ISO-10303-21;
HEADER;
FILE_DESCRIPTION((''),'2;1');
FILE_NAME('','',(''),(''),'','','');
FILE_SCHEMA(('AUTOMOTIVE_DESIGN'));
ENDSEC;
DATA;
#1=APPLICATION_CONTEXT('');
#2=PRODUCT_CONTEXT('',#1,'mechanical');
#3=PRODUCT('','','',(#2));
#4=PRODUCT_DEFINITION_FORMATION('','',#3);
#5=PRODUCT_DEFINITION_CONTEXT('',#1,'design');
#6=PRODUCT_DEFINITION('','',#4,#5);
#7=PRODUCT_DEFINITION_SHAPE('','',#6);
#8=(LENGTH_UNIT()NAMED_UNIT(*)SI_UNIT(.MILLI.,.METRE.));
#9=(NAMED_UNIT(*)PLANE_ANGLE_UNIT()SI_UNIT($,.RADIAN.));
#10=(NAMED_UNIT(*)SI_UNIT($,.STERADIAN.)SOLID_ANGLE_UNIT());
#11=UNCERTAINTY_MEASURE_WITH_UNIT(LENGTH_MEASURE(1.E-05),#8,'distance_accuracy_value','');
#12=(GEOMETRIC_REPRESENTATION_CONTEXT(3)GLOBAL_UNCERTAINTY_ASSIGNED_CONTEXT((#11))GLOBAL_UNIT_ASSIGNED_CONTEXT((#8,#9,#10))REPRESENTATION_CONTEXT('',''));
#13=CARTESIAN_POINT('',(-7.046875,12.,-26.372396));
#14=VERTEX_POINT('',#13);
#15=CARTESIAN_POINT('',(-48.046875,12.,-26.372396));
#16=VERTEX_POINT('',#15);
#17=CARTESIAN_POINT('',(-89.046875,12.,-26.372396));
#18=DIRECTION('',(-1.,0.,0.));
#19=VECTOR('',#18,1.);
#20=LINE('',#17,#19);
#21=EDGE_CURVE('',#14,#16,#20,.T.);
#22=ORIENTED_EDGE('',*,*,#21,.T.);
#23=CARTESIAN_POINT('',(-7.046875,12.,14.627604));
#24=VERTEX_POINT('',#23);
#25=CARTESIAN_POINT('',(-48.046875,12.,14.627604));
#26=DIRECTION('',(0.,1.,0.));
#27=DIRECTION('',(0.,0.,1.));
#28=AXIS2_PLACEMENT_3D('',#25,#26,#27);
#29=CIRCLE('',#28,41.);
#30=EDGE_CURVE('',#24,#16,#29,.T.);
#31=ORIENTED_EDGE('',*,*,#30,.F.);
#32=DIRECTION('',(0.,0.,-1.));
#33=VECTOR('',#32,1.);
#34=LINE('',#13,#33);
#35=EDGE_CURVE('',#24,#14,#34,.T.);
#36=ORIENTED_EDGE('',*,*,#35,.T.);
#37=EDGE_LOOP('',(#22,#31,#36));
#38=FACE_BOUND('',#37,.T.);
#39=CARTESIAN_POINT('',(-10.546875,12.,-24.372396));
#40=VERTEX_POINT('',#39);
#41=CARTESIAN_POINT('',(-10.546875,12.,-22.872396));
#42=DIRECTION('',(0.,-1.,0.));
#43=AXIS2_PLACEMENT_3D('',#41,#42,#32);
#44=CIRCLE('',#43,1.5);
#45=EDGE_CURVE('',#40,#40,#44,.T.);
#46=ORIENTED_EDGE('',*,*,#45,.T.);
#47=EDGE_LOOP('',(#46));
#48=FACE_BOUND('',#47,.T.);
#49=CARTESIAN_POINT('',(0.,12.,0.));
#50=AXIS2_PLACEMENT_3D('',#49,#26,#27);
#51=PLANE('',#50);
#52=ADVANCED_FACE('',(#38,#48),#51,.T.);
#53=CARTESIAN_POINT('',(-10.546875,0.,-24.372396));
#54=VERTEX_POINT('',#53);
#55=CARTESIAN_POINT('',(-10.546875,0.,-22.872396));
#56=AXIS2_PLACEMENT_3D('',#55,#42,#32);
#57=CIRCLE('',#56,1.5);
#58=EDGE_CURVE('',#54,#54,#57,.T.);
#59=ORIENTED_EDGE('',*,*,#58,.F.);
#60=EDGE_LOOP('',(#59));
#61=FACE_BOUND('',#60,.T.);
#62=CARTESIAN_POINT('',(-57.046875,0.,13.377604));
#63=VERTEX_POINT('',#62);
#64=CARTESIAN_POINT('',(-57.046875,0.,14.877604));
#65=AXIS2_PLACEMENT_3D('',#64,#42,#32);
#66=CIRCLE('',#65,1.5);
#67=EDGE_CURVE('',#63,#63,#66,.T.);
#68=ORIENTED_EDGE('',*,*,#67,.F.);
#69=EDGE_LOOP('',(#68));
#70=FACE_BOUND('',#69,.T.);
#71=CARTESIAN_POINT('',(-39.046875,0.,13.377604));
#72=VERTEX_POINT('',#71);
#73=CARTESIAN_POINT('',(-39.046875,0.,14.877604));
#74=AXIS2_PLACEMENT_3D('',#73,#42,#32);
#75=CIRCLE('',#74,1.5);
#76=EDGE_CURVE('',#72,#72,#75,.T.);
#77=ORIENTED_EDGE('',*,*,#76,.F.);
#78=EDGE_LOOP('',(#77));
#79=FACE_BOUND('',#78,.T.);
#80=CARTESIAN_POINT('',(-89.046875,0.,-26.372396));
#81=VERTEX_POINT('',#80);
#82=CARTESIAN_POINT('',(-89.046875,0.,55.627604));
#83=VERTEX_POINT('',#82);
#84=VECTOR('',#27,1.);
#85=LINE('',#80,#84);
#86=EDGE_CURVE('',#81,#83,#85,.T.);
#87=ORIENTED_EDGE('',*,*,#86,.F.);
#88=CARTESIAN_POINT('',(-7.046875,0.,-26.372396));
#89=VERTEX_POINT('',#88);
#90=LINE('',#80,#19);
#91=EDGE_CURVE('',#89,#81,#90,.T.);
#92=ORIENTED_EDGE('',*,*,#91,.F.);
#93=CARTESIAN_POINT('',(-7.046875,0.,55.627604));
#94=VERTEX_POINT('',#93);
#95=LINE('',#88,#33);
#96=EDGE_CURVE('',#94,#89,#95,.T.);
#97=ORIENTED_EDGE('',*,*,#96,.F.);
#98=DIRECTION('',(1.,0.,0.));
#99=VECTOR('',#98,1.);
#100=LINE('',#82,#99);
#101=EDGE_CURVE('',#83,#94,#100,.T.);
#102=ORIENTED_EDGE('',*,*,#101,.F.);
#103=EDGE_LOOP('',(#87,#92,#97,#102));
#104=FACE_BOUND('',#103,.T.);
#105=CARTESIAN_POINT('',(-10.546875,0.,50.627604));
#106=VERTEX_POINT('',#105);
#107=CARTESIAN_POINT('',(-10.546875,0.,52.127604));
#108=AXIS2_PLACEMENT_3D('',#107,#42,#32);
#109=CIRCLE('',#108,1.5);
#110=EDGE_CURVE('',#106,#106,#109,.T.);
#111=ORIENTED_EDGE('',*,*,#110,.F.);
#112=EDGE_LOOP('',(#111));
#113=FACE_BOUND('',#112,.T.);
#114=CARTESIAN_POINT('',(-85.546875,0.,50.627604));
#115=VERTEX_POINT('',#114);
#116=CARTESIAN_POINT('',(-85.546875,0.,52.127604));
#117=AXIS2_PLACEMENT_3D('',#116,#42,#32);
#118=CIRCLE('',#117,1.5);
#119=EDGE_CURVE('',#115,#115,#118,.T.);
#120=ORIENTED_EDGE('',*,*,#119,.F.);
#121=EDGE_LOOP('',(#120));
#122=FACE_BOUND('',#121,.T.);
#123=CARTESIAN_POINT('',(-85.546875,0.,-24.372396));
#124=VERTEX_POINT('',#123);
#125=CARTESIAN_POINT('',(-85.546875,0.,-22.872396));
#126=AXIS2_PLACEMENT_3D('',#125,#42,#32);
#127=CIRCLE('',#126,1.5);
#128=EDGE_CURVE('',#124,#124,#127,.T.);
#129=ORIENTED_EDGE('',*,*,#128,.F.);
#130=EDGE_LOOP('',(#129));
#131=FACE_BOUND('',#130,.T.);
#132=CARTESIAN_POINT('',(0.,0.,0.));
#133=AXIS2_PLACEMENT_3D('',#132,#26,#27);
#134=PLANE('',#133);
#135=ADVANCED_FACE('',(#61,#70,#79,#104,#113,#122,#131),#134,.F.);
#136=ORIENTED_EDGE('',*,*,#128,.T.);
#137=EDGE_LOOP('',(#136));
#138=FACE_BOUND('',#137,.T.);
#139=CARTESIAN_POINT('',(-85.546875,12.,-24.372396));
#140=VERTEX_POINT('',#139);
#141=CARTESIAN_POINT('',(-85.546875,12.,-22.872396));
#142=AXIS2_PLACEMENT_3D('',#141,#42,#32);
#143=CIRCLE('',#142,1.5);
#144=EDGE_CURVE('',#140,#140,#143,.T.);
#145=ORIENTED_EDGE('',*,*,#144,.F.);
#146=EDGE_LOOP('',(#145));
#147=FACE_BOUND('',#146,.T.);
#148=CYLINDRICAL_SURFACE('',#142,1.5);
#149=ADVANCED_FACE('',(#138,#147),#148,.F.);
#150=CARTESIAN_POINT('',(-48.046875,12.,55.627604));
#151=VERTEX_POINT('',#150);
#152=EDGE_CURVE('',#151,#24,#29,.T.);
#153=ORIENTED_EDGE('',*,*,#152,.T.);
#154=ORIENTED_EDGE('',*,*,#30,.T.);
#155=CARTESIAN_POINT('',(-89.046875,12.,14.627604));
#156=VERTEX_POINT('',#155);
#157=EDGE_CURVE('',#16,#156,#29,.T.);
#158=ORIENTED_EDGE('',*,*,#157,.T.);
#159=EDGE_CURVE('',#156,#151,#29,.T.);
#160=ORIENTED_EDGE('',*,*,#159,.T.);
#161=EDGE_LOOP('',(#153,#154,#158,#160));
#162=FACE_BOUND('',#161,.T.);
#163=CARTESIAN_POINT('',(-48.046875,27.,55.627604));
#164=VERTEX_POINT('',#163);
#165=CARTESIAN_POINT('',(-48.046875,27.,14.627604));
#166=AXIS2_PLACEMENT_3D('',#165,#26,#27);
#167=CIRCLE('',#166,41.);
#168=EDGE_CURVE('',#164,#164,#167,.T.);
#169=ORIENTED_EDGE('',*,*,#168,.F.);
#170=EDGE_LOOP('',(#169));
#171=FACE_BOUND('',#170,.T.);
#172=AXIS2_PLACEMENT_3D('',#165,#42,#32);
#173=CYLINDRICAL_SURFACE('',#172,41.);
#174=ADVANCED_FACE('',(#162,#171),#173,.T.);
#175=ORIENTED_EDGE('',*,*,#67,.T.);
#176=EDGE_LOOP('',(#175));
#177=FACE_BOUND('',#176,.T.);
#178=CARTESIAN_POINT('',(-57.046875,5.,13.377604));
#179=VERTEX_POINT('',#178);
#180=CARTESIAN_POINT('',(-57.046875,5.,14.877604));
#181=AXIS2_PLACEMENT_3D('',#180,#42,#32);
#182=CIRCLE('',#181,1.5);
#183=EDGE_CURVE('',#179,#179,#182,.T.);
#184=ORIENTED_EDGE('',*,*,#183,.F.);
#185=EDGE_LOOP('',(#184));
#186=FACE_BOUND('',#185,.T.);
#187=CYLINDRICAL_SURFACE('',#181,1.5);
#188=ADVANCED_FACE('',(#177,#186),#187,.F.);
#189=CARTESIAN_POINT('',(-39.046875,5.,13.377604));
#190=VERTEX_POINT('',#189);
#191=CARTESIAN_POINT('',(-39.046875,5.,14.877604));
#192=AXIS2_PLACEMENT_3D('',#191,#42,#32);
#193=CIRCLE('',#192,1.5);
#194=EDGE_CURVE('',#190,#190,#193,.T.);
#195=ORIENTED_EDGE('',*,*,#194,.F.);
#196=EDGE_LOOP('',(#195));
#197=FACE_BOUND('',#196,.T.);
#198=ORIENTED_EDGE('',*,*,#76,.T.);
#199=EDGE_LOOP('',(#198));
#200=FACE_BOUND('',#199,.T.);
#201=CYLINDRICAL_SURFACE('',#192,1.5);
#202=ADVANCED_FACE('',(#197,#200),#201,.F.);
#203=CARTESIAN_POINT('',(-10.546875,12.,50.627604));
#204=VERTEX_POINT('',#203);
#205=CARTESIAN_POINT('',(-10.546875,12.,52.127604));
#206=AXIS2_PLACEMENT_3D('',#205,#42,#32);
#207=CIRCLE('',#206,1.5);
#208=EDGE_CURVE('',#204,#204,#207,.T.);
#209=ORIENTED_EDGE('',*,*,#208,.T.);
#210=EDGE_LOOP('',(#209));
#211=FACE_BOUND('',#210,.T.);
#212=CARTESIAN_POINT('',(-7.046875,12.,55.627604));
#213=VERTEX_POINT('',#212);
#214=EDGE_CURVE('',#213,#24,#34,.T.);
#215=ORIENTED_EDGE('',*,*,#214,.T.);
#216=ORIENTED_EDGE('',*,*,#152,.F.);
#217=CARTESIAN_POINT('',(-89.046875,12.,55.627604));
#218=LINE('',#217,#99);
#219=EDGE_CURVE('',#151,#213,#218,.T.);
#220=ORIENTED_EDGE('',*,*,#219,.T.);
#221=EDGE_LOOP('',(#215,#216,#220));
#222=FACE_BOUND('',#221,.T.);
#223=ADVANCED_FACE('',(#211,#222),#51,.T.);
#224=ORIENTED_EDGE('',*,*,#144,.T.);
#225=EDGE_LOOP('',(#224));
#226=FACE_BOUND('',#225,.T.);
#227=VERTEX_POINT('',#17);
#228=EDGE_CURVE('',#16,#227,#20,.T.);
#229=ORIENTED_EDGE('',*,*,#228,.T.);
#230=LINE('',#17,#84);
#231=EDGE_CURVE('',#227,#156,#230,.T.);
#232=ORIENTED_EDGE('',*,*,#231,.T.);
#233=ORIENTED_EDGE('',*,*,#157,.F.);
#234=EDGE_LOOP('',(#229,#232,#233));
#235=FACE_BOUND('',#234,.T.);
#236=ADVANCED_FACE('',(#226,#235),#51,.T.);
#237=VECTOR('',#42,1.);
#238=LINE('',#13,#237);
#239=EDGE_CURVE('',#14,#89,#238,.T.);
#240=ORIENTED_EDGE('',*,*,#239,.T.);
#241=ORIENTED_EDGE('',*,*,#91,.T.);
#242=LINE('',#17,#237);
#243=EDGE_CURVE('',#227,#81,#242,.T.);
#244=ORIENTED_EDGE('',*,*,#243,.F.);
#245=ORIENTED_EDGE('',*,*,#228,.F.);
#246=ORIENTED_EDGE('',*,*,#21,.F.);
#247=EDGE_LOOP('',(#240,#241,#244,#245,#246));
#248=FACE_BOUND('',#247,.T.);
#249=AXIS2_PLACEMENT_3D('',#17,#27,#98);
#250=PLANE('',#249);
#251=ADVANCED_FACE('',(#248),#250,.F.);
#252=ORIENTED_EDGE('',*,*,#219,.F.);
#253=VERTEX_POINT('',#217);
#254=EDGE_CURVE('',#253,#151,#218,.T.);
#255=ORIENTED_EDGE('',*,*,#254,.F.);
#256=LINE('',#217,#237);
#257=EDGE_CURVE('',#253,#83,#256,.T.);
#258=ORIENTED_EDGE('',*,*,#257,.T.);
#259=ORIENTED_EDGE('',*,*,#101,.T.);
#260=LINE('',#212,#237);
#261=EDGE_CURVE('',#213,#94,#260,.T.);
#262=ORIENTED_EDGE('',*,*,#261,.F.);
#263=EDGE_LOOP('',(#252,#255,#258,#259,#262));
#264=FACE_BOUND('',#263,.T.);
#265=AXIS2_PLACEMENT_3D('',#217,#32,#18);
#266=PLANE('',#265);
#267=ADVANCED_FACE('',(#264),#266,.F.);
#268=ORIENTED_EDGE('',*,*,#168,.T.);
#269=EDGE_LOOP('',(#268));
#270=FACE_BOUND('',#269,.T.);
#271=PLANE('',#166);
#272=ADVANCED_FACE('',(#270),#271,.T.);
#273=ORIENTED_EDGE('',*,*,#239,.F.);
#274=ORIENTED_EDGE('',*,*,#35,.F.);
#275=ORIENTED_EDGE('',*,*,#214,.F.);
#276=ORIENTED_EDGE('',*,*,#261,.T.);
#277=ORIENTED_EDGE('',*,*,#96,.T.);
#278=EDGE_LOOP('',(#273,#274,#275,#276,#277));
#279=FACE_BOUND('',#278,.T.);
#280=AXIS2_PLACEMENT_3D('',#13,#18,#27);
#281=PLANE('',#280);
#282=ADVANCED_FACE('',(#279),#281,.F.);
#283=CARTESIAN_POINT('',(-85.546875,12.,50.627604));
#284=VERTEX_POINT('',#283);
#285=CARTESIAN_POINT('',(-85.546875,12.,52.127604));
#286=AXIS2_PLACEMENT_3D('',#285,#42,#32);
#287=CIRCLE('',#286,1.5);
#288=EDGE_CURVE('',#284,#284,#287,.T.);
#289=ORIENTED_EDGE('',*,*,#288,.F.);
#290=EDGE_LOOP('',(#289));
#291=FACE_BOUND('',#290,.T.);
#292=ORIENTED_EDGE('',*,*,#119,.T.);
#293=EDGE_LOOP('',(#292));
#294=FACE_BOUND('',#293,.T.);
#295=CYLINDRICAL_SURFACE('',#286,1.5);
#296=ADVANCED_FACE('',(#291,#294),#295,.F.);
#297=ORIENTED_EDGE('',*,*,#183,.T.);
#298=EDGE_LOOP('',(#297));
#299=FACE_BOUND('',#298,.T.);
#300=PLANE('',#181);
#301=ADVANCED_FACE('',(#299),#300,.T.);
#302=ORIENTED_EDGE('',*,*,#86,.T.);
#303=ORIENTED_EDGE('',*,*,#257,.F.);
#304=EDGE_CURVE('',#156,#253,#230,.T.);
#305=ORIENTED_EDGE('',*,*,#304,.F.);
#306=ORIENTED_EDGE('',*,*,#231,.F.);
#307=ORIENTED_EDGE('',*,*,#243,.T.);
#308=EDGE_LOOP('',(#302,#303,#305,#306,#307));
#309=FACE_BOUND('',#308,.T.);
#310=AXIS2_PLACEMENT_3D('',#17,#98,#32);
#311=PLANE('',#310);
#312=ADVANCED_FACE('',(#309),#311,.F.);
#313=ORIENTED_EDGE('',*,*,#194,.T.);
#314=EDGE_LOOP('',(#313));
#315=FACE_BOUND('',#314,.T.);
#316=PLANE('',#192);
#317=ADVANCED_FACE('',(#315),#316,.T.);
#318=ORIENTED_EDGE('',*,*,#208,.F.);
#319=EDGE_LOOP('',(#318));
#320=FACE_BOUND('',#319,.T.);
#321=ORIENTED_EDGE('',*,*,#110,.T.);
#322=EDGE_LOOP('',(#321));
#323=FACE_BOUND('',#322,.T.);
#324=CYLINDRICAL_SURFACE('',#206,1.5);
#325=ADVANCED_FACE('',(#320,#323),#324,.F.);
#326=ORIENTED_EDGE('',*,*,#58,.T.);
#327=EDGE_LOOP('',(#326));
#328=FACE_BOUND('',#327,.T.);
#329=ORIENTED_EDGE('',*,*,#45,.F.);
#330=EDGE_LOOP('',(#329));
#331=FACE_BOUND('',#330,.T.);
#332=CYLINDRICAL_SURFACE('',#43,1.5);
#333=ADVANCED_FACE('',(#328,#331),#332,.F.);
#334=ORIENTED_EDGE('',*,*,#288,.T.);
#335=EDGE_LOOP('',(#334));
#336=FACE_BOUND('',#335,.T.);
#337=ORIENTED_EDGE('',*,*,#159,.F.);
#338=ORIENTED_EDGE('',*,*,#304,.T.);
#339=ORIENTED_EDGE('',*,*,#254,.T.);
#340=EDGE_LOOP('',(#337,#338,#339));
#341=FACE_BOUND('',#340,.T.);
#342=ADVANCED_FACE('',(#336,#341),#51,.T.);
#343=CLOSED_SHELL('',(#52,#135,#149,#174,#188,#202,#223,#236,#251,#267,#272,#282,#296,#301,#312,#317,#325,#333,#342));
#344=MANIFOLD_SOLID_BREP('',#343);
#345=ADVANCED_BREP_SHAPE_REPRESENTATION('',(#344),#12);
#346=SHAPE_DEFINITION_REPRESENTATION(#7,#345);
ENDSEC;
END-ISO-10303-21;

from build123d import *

# Parameters (mm, degrees)
SKETCH1_W           = 82
SKETCH1_H           = 82
BOSS_EXTRUDE1_DEPTH = 12
SKETCH2_R           = 1.5
CUT_EXTRUDE1_DEPTH  = 106.677700072
SKETCH3_R           = 41
BOSS_EXTRUDE2_DEPTH = 15
SKETCH4_R           = 1.5
CUT_EXTRUDE2_DEPTH  = 5


with BuildPart() as part:
    # Sketch1 → Boss-Extrude1 (new body)
    with BuildSketch(Plane(origin=(0, 0, 0), x_dir=(1, 0, 0), z_dir=(0, 1, 0))):
        with Locations((-48.046875, -14.627604167)):
            Rectangle(SKETCH1_W, SKETCH1_H)
    extrude(amount=BOSS_EXTRUDE1_DEPTH)

    # Sketch2 → Cut-Extrude1 (cut, through all)
    with BuildSketch(Plane.XZ):
        with Locations(Location((-85.546875, 52.127604167, 0), (0, 0, 270))):
            Circle(SKETCH2_R)
        with Locations(Location((-10.546875, 52.127604167, 0), (0, 0, 270))):
            Circle(SKETCH2_R)
        with Locations(Location((-85.546875, -22.872395833, 0), (0, 0, 270))):
            Circle(SKETCH2_R)
        with Locations(Location((-10.546875, -22.872395833, 0), (0, 0, 270))):
            Circle(SKETCH2_R)
    extrude(amount=-CUT_EXTRUDE1_DEPTH, mode=Mode.SUBTRACT)

    # Sketch3 → Boss-Extrude2 (add)
    with BuildSketch(Plane(origin=(0, 12, 0), x_dir=(1, 0, 0), z_dir=(0, 1, 0))):
        with Locations(Location((-48.046875, -14.627604167, 0), (0, 0, 270))):
            Circle(SKETCH3_R)
    extrude(amount=BOSS_EXTRUDE2_DEPTH)

    # Sketch4 → Cut-Extrude2 (cut)
    with BuildSketch(Plane.XZ):
        with Locations(Location((-57.046875, 14.877604167, 0), (0, 0, 270))):
            Circle(SKETCH4_R)
        with Locations(Location((-39.046875, 14.877604167, 0), (0, 0, 270))):
            Circle(SKETCH4_R)
    extrude(amount=-CUT_EXTRUDE2_DEPTH, mode=Mode.SUBTRACT)


solid = part.part
